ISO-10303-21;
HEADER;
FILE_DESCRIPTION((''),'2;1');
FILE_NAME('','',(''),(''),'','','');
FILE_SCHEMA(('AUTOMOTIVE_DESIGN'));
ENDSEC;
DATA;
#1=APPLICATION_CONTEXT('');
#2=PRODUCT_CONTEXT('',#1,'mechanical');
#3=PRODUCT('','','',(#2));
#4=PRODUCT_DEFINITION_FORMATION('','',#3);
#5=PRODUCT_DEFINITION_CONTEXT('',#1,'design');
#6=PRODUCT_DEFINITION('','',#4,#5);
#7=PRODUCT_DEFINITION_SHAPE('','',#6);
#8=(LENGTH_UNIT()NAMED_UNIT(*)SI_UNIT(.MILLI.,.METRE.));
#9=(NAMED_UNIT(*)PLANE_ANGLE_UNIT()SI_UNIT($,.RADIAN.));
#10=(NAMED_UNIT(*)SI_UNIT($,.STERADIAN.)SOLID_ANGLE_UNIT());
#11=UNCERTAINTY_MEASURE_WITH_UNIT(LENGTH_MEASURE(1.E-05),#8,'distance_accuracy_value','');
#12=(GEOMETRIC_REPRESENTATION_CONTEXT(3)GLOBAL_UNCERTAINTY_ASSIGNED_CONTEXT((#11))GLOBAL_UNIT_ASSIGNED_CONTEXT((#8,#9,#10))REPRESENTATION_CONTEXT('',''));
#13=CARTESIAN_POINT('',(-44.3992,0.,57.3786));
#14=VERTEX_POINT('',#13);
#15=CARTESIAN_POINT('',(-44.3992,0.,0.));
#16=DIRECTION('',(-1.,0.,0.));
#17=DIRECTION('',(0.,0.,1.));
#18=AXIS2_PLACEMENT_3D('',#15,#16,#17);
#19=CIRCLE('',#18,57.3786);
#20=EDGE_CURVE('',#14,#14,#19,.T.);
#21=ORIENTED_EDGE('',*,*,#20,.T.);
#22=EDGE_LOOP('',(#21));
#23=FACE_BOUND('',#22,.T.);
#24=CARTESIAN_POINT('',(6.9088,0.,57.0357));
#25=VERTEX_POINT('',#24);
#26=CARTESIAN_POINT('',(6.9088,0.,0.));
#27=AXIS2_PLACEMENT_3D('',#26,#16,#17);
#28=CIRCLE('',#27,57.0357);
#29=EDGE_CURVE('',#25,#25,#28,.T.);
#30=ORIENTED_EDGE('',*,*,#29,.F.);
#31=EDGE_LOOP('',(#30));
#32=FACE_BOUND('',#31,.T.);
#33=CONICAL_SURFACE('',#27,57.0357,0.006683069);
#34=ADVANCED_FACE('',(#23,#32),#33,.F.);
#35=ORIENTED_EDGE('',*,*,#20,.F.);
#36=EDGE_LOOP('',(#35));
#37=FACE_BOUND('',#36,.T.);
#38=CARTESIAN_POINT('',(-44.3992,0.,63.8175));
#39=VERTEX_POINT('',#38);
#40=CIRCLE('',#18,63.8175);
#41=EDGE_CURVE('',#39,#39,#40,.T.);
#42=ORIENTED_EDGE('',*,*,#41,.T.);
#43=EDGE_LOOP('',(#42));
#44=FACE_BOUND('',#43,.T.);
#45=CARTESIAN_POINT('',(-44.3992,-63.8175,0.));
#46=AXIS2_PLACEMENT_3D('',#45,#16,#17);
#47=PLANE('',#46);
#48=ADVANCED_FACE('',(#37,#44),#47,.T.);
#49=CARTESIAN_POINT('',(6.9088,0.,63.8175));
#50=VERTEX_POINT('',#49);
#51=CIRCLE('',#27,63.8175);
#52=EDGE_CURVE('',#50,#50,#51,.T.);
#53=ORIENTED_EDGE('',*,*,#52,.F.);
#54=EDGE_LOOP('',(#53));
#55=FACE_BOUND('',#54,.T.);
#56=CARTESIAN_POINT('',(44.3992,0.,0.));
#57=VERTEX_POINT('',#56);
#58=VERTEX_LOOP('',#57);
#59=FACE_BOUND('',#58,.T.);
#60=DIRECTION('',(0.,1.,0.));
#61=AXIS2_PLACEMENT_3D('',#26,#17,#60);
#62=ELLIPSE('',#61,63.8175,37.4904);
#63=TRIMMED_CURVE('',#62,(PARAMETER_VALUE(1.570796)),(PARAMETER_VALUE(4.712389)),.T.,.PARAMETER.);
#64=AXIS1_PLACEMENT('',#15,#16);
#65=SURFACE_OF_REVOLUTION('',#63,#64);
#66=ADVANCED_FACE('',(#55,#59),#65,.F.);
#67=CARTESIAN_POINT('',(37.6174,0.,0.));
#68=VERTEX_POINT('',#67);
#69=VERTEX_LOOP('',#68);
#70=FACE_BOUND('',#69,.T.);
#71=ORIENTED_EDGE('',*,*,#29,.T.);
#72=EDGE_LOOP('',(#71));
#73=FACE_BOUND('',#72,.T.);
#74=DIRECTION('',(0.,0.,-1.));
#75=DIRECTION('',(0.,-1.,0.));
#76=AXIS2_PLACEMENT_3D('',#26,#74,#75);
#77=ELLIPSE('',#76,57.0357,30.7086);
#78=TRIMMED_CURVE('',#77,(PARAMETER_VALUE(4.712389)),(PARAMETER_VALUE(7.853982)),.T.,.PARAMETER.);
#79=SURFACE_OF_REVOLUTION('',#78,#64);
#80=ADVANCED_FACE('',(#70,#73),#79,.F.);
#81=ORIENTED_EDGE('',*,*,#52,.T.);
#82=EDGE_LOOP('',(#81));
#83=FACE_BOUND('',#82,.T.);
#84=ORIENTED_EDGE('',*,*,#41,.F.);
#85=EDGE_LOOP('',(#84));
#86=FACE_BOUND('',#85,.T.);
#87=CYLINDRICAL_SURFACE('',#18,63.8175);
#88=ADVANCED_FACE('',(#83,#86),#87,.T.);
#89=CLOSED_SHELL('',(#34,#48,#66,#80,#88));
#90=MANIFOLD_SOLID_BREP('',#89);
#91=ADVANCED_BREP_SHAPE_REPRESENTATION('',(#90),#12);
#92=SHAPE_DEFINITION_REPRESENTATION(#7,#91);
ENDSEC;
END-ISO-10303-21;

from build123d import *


with BuildPart() as part:
    # Sketch1 → Revolve1 (revolve)
    with BuildSketch(Plane.XY):
        with BuildLine():
            Line((37.6174, 0), (44.3992, 0))
            add(Edge.make_bspline(
                [(6.9088, -63.8175), (44.3992, -63.8175), (44.3992, 0)],
                knots=[3.141592654, 3.141592654, 3.141592654, 4.71238898, 4.71238898, 4.71238898], degree=2, weights=[1, 0.707106781, 1]))
            Line((6.9088, -63.8175), (-44.3992, -63.8175))
            Line((-44.3992, -63.8175), (-44.3992, -57.3786))
            Line((-44.3992, -57.3786), (6.9088, -57.0357))
            add(Edge.make_bspline(
                [(6.9088, -57.0357), (37.6174, -57.0357), (37.6174, 0)],
                knots=[0, 0, 0, 1.570796327, 1.570796327, 1.570796327], degree=2, weights=[1, 0.707106781, 1]))
        make_face()
    revolve(axis=Axis((-44.3992, 0, 0), (1, 0, 0)))


solid = part.part
